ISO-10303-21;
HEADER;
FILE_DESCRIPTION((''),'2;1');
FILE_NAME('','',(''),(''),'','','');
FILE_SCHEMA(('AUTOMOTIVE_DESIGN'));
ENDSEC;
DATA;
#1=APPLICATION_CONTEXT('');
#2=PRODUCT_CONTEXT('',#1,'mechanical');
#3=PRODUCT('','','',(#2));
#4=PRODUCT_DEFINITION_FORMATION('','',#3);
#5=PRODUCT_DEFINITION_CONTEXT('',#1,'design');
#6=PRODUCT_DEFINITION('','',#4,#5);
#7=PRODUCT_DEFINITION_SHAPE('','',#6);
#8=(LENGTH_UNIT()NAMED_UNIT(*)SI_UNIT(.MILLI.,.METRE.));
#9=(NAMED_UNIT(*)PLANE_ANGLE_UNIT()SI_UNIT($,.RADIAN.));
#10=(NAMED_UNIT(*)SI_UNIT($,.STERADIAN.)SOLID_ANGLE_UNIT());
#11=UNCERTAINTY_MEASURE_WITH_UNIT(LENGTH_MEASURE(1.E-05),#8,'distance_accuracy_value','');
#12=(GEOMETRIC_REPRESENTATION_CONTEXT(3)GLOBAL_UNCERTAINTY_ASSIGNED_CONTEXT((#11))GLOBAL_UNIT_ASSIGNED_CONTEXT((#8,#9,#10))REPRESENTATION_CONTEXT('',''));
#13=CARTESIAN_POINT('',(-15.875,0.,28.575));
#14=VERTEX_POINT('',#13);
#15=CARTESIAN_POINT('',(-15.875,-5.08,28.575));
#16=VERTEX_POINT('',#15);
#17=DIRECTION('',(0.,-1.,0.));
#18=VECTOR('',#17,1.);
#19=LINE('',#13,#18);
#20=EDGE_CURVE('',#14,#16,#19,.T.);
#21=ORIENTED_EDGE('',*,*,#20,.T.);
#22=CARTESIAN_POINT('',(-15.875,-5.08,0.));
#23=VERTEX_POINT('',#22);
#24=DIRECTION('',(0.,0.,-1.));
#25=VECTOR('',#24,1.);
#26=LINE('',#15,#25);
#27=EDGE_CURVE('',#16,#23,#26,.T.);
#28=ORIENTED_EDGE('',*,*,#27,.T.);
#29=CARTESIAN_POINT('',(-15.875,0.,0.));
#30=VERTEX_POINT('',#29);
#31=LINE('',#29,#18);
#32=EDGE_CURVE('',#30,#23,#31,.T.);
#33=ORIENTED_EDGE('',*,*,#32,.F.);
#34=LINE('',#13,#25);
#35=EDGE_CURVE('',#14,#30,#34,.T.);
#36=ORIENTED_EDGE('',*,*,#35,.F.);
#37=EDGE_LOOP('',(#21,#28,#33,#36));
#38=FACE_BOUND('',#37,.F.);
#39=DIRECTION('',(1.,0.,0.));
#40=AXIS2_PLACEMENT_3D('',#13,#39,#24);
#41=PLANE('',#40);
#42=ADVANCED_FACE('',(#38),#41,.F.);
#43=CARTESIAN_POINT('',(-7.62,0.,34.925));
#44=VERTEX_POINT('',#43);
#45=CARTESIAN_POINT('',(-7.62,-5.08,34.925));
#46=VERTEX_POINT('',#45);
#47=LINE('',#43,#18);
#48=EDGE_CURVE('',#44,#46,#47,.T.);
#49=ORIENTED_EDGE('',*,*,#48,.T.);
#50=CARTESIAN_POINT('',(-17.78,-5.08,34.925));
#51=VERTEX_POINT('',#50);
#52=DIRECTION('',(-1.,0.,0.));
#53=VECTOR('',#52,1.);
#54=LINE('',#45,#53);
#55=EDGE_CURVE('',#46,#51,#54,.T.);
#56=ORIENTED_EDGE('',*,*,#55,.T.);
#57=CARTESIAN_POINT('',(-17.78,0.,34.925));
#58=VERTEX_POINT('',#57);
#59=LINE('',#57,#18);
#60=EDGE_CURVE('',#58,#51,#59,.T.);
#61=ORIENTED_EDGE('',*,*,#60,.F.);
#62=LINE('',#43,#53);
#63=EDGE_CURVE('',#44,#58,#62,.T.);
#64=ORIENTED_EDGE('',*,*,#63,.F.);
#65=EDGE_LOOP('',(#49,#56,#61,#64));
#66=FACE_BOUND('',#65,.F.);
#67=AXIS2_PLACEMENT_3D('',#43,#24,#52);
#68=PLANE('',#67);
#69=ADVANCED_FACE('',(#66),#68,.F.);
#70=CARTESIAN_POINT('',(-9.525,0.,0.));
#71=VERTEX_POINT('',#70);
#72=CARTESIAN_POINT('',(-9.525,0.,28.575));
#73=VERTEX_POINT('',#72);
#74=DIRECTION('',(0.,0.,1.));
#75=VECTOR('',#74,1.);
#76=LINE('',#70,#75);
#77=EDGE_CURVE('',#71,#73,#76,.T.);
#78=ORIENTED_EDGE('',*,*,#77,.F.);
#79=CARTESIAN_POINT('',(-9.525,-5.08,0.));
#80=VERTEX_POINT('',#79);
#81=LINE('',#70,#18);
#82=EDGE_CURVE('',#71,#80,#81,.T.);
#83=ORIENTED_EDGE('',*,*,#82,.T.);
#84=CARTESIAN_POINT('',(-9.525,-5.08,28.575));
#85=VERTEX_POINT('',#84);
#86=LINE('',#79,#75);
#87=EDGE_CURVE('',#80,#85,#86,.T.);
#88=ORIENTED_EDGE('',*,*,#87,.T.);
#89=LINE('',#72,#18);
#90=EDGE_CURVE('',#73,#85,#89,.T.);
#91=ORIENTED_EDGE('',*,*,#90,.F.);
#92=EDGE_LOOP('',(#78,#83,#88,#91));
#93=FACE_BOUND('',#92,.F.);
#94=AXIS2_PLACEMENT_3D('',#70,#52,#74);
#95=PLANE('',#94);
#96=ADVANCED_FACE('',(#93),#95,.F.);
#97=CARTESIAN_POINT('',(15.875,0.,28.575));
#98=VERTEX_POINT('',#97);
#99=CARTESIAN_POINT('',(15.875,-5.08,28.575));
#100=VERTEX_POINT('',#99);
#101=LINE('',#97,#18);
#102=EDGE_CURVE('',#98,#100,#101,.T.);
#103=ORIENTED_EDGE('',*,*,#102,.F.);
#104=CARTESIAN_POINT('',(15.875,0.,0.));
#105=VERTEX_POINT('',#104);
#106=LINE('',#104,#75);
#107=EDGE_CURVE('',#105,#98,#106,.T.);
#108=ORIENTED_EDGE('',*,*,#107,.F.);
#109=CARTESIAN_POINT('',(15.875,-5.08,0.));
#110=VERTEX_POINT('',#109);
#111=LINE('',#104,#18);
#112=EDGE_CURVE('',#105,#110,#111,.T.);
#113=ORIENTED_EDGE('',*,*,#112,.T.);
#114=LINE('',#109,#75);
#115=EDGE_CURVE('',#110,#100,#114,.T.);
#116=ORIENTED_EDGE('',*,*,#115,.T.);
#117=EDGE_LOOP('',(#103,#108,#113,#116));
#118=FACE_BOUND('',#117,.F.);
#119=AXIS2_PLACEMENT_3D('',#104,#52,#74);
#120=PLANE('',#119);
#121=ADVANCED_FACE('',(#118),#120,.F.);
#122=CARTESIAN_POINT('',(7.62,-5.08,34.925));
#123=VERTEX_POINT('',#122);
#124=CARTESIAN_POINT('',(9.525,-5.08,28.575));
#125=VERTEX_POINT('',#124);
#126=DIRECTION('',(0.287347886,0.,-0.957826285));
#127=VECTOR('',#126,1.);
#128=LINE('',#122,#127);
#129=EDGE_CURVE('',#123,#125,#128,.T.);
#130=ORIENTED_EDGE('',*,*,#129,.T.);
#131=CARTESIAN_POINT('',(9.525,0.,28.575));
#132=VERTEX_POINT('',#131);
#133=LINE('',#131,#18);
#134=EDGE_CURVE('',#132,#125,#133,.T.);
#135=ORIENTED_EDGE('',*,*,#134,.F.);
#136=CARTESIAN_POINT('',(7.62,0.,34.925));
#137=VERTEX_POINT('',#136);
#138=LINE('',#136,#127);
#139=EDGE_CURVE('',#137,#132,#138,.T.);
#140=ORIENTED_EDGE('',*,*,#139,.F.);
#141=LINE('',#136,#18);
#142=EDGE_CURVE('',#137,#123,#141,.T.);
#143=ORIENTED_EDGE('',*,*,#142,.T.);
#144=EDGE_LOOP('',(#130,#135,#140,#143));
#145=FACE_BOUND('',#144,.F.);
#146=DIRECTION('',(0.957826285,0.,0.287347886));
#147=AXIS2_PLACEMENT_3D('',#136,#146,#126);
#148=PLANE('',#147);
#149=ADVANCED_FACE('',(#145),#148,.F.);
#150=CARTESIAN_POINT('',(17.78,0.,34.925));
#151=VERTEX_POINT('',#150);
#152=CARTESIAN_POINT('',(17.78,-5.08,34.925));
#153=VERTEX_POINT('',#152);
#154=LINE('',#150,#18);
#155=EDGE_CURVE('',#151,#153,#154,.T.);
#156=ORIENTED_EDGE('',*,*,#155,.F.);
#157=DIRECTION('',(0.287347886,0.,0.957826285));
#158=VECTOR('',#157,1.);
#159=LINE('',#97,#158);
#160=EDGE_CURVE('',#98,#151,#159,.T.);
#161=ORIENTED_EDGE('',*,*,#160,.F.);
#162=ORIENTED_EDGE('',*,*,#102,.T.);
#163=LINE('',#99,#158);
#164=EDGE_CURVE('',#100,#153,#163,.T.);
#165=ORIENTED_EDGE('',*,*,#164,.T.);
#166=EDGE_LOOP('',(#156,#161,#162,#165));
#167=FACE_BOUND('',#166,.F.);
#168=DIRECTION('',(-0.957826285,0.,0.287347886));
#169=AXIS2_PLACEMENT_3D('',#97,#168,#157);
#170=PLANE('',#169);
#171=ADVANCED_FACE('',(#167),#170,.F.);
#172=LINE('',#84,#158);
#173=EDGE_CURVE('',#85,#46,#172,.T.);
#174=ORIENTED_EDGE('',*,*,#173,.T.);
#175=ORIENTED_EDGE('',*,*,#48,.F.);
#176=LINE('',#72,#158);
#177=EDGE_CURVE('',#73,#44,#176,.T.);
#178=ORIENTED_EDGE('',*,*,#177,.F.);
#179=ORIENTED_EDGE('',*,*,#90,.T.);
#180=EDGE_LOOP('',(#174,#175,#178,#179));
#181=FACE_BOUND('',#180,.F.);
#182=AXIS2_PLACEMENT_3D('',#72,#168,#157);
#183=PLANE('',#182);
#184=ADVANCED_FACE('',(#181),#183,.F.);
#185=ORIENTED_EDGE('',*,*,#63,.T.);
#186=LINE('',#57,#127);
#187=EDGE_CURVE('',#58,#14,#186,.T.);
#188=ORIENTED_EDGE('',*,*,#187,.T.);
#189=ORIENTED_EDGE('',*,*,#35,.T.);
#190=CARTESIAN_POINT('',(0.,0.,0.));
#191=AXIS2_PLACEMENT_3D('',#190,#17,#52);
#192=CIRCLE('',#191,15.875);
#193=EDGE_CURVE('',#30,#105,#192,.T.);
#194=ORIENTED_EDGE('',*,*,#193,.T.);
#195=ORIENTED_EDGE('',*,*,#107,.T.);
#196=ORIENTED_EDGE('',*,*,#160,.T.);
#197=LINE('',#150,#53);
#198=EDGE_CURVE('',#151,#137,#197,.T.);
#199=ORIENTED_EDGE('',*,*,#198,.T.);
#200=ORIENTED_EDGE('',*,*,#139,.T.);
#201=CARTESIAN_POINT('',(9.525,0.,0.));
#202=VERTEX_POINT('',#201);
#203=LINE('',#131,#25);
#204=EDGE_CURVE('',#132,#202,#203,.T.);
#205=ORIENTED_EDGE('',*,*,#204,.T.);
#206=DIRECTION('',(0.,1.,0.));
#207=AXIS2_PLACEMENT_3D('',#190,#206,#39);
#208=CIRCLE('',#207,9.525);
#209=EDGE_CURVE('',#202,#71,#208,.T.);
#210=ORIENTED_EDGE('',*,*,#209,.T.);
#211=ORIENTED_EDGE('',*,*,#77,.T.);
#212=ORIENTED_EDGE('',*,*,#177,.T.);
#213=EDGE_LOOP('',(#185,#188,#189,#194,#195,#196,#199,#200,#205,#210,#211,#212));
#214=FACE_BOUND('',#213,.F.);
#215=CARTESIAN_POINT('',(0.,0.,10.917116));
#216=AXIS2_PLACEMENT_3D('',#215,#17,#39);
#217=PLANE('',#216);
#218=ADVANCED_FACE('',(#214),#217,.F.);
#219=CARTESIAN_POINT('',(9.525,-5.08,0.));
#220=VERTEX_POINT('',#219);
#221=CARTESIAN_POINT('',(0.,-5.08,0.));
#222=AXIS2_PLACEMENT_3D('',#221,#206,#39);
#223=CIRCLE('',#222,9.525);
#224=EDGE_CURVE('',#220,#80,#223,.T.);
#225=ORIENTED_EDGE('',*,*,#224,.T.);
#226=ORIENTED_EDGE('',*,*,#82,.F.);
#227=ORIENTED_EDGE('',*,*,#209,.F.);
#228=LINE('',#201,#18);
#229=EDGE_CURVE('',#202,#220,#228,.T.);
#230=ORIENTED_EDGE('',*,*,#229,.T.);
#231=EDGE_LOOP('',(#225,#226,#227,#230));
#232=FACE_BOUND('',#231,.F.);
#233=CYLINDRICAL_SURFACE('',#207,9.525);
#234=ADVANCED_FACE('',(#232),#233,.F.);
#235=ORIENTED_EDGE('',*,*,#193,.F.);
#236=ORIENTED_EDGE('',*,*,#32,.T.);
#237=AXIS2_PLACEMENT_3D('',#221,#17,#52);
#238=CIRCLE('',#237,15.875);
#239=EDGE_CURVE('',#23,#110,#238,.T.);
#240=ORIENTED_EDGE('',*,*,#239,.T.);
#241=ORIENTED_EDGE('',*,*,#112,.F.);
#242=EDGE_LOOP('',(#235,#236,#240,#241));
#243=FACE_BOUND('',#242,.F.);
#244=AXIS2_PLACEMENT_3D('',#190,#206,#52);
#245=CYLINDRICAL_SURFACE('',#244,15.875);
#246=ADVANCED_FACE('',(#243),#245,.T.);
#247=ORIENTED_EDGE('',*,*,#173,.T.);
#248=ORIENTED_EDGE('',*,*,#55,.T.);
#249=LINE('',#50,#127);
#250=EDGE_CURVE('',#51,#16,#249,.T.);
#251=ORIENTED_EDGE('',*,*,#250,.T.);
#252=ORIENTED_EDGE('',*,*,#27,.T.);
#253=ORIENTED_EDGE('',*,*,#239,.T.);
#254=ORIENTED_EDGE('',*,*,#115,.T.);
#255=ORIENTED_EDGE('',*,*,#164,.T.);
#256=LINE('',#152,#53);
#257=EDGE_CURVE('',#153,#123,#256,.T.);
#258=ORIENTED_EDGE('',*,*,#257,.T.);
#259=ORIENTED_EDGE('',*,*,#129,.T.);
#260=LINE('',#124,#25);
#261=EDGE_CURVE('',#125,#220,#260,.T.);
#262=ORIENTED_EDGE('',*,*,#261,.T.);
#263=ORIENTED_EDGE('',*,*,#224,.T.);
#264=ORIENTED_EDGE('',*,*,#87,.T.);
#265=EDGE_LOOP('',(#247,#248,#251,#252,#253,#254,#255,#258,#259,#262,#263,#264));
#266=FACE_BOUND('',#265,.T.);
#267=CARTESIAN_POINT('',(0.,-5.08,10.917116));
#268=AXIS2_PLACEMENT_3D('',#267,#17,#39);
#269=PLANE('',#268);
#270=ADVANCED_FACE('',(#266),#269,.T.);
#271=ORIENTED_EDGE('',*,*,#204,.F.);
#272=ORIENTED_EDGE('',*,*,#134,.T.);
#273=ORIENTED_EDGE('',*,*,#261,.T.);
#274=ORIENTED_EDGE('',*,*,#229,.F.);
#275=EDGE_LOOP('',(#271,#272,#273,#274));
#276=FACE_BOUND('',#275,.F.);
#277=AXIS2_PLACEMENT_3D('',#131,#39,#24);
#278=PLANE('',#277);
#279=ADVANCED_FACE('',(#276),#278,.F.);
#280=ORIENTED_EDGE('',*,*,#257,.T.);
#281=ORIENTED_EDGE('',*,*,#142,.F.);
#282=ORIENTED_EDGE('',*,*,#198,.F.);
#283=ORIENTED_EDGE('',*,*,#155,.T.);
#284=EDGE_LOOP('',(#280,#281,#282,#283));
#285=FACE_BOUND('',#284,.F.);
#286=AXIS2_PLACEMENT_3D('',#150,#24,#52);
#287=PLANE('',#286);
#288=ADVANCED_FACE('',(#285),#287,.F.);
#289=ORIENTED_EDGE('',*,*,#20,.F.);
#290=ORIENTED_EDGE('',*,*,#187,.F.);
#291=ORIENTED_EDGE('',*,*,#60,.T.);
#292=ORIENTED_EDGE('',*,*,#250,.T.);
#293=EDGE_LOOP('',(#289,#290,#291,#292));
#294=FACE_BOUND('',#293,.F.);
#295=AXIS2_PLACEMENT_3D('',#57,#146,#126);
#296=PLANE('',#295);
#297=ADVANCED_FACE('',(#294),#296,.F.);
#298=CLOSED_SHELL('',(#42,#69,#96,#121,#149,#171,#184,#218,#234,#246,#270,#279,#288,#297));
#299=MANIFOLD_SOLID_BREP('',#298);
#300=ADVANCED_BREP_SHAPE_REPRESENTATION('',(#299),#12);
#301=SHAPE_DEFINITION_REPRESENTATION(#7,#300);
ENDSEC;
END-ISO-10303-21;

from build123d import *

# Parameters (mm, degrees)
F1_DEPTH = 5.08


with BuildPart() as f1:
    # F0 (on Front) → F1 (new body)
    with BuildSketch(Plane.XZ):
        with BuildLine():
            Line((-15.875, 28.575), (-15.875, 0))
            ThreePointArc((-15.875, 0), (0, -15.875), (15.875, 0))
            Line((15.875, 0), (15.875, 28.575))
            Line((15.875, 28.575), (17.78, 34.925))
            Line((17.78, 34.925), (15.875, 34.925))
            Line((15.875, 34.925), (9.525, 34.925))
            Line((9.525, 34.925), (7.62, 34.925))
            Line((7.62, 34.925), (9.525, 28.575))
            Line((9.525, 28.575), (9.525, 0))
            ThreePointArc((9.525, 0), (0, -9.525), (-9.525, 0))
            Line((-9.525, 0), (-9.525, 28.575))
            Line((-9.525, 28.575), (-7.62, 34.925))
            Line((-7.62, 34.925), (-9.525, 34.925))
            Line((-9.525, 34.925), (-15.875, 34.925))
            Line((-15.875, 34.925), (-17.78, 34.925))
            Line((-17.78, 34.925), (-15.875, 28.575))
        make_face()
    extrude(amount=F1_DEPTH)


solid = f1.part
